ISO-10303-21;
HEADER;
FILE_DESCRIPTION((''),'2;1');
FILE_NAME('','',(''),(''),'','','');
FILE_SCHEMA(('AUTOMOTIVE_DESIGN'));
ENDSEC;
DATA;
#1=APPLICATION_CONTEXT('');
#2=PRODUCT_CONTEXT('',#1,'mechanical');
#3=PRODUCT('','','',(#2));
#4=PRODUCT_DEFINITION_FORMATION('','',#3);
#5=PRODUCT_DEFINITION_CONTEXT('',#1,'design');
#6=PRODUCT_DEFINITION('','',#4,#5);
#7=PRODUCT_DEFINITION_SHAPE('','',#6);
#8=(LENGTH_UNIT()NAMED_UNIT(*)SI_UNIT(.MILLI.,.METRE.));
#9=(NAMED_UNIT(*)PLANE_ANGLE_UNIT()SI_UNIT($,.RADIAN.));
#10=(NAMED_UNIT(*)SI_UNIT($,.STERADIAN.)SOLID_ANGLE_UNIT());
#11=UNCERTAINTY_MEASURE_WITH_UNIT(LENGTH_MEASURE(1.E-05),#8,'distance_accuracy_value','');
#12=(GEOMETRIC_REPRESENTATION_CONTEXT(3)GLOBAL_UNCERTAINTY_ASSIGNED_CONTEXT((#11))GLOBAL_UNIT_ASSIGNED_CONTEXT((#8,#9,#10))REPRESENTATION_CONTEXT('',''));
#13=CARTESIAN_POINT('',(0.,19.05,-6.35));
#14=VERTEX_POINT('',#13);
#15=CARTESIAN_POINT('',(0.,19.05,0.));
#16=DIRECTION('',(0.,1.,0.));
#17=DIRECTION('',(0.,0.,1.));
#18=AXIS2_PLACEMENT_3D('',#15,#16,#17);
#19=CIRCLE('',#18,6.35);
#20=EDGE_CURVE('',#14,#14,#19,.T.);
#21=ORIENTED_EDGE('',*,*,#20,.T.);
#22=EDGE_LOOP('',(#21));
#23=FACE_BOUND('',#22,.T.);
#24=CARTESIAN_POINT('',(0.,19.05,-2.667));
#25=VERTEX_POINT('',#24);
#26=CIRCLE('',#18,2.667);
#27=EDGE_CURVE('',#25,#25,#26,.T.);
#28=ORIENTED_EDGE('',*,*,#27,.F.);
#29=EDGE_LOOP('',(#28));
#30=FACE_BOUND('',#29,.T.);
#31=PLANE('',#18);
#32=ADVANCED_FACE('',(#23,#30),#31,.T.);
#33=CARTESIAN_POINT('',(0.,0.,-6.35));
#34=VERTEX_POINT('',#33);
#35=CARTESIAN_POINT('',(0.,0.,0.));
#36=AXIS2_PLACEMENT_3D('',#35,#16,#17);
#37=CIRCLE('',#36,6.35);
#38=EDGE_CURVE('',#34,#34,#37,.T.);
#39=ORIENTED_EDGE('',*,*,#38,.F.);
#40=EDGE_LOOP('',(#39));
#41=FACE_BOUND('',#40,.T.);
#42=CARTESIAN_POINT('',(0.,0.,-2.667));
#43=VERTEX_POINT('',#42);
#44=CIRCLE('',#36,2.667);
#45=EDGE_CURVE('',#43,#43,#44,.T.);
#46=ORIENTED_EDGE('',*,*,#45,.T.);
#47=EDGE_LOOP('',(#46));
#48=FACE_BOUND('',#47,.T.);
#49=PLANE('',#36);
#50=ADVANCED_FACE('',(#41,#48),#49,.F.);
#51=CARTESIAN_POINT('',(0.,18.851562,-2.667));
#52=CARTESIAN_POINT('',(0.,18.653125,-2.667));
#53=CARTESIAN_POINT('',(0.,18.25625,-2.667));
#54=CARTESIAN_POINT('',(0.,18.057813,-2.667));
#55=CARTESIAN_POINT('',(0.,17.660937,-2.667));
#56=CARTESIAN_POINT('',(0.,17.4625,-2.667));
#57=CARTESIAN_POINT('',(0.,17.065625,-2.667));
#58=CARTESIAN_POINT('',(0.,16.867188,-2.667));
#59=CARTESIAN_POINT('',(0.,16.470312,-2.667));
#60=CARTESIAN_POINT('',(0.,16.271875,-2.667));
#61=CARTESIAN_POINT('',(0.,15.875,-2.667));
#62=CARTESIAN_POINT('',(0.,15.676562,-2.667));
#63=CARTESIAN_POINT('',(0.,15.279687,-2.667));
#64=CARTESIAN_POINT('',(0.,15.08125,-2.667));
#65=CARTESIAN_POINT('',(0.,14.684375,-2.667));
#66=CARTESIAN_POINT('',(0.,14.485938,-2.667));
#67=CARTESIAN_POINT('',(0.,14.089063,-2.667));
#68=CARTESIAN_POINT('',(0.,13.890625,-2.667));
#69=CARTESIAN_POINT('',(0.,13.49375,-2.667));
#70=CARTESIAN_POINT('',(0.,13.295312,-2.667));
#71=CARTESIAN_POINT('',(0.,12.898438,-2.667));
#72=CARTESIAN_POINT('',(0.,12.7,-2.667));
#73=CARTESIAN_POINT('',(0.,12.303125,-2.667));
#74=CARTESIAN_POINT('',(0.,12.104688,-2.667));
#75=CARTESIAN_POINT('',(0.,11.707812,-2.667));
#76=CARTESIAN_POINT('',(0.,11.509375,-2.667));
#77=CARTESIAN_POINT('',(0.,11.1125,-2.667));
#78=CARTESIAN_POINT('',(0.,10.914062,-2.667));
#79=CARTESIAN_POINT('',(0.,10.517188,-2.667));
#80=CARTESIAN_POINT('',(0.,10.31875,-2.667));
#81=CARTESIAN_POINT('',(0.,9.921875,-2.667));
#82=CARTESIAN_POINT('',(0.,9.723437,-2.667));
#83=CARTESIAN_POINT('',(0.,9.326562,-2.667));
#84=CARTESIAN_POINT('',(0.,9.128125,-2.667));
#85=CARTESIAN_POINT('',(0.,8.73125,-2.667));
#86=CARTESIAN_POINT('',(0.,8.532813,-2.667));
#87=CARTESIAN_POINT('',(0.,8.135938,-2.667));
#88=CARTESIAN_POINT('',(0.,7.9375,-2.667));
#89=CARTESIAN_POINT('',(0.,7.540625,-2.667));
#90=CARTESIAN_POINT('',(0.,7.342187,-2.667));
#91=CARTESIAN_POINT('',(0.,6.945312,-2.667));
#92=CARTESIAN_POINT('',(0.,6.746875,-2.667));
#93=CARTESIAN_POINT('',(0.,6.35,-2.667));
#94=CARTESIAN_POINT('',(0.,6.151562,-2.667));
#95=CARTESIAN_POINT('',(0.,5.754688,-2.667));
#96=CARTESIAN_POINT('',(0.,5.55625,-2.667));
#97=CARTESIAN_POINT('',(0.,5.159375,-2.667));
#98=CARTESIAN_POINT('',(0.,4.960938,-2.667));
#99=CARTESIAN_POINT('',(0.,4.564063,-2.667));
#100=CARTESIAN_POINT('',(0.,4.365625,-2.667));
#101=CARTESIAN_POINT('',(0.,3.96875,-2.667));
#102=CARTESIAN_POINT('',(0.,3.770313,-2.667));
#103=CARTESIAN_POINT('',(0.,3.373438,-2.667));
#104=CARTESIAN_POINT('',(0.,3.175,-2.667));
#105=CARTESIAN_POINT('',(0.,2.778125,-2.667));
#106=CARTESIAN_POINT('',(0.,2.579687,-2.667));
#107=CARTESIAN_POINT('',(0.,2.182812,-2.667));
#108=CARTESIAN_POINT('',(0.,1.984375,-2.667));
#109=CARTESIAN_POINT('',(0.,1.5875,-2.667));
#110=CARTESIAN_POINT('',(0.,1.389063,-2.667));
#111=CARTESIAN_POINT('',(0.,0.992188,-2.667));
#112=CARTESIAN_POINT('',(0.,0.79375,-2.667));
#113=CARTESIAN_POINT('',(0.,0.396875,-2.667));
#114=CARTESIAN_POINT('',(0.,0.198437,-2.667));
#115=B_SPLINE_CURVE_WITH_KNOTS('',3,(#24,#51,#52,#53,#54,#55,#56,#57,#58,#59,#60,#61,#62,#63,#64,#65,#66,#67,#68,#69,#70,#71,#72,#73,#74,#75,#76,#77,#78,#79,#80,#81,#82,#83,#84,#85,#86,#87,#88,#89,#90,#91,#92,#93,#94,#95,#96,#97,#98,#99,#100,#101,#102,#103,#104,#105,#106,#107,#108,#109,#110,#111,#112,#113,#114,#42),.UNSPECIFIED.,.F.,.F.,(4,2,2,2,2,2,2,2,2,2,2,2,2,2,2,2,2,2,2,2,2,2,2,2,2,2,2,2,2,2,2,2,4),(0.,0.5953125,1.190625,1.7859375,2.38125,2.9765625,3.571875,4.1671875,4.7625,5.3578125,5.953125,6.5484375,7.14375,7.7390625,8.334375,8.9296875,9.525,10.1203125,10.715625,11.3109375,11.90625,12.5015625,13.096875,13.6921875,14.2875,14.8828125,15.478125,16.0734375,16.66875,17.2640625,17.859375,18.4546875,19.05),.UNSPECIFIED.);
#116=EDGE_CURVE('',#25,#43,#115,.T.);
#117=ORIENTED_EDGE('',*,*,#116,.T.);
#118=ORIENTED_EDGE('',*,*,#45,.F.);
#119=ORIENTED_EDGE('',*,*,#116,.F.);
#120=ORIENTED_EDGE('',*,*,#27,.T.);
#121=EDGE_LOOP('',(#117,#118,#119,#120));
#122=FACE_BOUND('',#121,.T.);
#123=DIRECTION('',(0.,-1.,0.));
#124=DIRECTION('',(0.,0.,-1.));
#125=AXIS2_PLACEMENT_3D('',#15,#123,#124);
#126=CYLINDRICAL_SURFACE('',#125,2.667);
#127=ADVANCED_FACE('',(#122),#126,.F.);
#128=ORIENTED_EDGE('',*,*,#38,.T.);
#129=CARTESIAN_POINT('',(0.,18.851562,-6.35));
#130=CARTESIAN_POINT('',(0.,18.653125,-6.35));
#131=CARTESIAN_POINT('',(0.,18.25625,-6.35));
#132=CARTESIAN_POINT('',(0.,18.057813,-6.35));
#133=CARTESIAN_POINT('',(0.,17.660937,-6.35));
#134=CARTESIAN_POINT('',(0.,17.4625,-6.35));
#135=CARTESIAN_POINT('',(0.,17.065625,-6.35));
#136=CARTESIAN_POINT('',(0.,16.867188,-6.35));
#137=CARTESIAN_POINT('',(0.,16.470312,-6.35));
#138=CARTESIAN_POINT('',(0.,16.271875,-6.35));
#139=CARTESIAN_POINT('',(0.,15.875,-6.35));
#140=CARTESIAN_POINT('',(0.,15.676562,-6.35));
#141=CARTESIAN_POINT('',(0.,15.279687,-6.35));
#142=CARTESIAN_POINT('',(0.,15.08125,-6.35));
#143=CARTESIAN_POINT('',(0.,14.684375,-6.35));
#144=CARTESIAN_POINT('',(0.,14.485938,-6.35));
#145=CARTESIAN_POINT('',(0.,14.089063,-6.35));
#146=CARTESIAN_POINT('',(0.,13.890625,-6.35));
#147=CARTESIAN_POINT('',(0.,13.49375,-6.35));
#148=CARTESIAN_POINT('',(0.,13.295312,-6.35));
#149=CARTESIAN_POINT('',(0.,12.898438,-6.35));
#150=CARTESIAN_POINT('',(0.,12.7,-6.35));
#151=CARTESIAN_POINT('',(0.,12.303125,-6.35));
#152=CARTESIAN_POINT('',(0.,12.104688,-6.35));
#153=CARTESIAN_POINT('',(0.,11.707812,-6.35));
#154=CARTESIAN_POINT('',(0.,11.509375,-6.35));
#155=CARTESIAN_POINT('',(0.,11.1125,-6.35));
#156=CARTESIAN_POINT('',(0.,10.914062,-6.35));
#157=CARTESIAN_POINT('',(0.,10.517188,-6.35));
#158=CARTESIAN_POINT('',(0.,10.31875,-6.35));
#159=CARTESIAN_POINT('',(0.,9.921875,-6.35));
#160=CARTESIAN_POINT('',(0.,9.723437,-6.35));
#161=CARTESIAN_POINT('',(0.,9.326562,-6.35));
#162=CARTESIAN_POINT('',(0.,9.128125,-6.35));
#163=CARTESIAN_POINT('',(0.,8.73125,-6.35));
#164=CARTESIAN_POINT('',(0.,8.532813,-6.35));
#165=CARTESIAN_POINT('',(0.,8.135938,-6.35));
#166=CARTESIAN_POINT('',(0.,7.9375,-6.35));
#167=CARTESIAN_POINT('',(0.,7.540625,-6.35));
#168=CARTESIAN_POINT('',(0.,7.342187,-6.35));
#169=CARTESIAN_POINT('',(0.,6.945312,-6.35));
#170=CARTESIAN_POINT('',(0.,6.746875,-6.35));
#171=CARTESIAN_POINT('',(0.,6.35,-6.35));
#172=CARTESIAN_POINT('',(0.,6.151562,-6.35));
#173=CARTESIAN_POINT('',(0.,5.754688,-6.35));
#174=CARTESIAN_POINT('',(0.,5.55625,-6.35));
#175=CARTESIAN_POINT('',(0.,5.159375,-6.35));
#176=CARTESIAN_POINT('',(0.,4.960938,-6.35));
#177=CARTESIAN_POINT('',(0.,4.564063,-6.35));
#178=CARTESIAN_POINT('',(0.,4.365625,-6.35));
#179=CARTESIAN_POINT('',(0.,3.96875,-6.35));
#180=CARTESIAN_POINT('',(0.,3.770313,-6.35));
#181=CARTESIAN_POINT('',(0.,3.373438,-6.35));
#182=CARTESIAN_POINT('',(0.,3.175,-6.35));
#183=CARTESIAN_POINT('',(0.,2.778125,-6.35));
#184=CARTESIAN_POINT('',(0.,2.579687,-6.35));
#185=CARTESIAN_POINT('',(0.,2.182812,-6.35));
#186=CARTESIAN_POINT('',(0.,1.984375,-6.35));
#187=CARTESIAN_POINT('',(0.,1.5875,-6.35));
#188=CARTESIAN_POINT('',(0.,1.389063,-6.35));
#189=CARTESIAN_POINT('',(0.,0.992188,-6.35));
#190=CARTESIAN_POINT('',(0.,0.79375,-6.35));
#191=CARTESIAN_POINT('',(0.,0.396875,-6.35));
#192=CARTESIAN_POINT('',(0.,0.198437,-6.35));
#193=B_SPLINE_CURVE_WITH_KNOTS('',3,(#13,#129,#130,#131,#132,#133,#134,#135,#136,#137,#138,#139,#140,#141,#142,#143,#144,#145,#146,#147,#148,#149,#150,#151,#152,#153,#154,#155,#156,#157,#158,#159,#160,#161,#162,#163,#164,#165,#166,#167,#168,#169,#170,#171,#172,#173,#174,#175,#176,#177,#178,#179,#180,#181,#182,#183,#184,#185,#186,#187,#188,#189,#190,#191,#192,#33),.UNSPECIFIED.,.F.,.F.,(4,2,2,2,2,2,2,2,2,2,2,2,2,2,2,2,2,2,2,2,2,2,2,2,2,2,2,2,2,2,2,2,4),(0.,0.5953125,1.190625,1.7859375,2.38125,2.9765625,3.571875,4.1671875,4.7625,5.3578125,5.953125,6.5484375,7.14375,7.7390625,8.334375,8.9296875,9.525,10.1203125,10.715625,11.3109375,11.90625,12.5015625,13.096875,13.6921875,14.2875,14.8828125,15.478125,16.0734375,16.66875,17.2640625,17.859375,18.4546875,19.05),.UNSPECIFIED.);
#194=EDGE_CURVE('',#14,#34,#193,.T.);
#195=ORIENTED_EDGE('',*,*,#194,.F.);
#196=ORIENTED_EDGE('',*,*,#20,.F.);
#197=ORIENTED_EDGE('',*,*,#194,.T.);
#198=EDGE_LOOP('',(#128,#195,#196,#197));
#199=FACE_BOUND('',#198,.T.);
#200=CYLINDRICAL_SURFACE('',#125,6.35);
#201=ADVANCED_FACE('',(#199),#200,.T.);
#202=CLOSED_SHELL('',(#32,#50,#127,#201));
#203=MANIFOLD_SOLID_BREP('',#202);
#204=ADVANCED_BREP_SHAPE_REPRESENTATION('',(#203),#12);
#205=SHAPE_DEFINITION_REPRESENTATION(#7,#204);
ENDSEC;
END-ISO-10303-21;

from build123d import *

# Parameters (mm, degrees)
SKETCH1_R           = 6.35
SKETCH1_R_2         = 2.667
BOSS_EXTRUDE1_DEPTH = 19.05


with BuildPart() as part:
    # Sketch1 → Boss-Extrude1 (new body)
    with BuildSketch(Plane(origin=(0, 0, 0), x_dir=(1, 0, 0), z_dir=(0, 1, 0))):
        Circle(SKETCH1_R)
        Circle(SKETCH1_R_2, mode=Mode.SUBTRACT)
    extrude(amount=BOSS_EXTRUDE1_DEPTH)


solid = part.part
